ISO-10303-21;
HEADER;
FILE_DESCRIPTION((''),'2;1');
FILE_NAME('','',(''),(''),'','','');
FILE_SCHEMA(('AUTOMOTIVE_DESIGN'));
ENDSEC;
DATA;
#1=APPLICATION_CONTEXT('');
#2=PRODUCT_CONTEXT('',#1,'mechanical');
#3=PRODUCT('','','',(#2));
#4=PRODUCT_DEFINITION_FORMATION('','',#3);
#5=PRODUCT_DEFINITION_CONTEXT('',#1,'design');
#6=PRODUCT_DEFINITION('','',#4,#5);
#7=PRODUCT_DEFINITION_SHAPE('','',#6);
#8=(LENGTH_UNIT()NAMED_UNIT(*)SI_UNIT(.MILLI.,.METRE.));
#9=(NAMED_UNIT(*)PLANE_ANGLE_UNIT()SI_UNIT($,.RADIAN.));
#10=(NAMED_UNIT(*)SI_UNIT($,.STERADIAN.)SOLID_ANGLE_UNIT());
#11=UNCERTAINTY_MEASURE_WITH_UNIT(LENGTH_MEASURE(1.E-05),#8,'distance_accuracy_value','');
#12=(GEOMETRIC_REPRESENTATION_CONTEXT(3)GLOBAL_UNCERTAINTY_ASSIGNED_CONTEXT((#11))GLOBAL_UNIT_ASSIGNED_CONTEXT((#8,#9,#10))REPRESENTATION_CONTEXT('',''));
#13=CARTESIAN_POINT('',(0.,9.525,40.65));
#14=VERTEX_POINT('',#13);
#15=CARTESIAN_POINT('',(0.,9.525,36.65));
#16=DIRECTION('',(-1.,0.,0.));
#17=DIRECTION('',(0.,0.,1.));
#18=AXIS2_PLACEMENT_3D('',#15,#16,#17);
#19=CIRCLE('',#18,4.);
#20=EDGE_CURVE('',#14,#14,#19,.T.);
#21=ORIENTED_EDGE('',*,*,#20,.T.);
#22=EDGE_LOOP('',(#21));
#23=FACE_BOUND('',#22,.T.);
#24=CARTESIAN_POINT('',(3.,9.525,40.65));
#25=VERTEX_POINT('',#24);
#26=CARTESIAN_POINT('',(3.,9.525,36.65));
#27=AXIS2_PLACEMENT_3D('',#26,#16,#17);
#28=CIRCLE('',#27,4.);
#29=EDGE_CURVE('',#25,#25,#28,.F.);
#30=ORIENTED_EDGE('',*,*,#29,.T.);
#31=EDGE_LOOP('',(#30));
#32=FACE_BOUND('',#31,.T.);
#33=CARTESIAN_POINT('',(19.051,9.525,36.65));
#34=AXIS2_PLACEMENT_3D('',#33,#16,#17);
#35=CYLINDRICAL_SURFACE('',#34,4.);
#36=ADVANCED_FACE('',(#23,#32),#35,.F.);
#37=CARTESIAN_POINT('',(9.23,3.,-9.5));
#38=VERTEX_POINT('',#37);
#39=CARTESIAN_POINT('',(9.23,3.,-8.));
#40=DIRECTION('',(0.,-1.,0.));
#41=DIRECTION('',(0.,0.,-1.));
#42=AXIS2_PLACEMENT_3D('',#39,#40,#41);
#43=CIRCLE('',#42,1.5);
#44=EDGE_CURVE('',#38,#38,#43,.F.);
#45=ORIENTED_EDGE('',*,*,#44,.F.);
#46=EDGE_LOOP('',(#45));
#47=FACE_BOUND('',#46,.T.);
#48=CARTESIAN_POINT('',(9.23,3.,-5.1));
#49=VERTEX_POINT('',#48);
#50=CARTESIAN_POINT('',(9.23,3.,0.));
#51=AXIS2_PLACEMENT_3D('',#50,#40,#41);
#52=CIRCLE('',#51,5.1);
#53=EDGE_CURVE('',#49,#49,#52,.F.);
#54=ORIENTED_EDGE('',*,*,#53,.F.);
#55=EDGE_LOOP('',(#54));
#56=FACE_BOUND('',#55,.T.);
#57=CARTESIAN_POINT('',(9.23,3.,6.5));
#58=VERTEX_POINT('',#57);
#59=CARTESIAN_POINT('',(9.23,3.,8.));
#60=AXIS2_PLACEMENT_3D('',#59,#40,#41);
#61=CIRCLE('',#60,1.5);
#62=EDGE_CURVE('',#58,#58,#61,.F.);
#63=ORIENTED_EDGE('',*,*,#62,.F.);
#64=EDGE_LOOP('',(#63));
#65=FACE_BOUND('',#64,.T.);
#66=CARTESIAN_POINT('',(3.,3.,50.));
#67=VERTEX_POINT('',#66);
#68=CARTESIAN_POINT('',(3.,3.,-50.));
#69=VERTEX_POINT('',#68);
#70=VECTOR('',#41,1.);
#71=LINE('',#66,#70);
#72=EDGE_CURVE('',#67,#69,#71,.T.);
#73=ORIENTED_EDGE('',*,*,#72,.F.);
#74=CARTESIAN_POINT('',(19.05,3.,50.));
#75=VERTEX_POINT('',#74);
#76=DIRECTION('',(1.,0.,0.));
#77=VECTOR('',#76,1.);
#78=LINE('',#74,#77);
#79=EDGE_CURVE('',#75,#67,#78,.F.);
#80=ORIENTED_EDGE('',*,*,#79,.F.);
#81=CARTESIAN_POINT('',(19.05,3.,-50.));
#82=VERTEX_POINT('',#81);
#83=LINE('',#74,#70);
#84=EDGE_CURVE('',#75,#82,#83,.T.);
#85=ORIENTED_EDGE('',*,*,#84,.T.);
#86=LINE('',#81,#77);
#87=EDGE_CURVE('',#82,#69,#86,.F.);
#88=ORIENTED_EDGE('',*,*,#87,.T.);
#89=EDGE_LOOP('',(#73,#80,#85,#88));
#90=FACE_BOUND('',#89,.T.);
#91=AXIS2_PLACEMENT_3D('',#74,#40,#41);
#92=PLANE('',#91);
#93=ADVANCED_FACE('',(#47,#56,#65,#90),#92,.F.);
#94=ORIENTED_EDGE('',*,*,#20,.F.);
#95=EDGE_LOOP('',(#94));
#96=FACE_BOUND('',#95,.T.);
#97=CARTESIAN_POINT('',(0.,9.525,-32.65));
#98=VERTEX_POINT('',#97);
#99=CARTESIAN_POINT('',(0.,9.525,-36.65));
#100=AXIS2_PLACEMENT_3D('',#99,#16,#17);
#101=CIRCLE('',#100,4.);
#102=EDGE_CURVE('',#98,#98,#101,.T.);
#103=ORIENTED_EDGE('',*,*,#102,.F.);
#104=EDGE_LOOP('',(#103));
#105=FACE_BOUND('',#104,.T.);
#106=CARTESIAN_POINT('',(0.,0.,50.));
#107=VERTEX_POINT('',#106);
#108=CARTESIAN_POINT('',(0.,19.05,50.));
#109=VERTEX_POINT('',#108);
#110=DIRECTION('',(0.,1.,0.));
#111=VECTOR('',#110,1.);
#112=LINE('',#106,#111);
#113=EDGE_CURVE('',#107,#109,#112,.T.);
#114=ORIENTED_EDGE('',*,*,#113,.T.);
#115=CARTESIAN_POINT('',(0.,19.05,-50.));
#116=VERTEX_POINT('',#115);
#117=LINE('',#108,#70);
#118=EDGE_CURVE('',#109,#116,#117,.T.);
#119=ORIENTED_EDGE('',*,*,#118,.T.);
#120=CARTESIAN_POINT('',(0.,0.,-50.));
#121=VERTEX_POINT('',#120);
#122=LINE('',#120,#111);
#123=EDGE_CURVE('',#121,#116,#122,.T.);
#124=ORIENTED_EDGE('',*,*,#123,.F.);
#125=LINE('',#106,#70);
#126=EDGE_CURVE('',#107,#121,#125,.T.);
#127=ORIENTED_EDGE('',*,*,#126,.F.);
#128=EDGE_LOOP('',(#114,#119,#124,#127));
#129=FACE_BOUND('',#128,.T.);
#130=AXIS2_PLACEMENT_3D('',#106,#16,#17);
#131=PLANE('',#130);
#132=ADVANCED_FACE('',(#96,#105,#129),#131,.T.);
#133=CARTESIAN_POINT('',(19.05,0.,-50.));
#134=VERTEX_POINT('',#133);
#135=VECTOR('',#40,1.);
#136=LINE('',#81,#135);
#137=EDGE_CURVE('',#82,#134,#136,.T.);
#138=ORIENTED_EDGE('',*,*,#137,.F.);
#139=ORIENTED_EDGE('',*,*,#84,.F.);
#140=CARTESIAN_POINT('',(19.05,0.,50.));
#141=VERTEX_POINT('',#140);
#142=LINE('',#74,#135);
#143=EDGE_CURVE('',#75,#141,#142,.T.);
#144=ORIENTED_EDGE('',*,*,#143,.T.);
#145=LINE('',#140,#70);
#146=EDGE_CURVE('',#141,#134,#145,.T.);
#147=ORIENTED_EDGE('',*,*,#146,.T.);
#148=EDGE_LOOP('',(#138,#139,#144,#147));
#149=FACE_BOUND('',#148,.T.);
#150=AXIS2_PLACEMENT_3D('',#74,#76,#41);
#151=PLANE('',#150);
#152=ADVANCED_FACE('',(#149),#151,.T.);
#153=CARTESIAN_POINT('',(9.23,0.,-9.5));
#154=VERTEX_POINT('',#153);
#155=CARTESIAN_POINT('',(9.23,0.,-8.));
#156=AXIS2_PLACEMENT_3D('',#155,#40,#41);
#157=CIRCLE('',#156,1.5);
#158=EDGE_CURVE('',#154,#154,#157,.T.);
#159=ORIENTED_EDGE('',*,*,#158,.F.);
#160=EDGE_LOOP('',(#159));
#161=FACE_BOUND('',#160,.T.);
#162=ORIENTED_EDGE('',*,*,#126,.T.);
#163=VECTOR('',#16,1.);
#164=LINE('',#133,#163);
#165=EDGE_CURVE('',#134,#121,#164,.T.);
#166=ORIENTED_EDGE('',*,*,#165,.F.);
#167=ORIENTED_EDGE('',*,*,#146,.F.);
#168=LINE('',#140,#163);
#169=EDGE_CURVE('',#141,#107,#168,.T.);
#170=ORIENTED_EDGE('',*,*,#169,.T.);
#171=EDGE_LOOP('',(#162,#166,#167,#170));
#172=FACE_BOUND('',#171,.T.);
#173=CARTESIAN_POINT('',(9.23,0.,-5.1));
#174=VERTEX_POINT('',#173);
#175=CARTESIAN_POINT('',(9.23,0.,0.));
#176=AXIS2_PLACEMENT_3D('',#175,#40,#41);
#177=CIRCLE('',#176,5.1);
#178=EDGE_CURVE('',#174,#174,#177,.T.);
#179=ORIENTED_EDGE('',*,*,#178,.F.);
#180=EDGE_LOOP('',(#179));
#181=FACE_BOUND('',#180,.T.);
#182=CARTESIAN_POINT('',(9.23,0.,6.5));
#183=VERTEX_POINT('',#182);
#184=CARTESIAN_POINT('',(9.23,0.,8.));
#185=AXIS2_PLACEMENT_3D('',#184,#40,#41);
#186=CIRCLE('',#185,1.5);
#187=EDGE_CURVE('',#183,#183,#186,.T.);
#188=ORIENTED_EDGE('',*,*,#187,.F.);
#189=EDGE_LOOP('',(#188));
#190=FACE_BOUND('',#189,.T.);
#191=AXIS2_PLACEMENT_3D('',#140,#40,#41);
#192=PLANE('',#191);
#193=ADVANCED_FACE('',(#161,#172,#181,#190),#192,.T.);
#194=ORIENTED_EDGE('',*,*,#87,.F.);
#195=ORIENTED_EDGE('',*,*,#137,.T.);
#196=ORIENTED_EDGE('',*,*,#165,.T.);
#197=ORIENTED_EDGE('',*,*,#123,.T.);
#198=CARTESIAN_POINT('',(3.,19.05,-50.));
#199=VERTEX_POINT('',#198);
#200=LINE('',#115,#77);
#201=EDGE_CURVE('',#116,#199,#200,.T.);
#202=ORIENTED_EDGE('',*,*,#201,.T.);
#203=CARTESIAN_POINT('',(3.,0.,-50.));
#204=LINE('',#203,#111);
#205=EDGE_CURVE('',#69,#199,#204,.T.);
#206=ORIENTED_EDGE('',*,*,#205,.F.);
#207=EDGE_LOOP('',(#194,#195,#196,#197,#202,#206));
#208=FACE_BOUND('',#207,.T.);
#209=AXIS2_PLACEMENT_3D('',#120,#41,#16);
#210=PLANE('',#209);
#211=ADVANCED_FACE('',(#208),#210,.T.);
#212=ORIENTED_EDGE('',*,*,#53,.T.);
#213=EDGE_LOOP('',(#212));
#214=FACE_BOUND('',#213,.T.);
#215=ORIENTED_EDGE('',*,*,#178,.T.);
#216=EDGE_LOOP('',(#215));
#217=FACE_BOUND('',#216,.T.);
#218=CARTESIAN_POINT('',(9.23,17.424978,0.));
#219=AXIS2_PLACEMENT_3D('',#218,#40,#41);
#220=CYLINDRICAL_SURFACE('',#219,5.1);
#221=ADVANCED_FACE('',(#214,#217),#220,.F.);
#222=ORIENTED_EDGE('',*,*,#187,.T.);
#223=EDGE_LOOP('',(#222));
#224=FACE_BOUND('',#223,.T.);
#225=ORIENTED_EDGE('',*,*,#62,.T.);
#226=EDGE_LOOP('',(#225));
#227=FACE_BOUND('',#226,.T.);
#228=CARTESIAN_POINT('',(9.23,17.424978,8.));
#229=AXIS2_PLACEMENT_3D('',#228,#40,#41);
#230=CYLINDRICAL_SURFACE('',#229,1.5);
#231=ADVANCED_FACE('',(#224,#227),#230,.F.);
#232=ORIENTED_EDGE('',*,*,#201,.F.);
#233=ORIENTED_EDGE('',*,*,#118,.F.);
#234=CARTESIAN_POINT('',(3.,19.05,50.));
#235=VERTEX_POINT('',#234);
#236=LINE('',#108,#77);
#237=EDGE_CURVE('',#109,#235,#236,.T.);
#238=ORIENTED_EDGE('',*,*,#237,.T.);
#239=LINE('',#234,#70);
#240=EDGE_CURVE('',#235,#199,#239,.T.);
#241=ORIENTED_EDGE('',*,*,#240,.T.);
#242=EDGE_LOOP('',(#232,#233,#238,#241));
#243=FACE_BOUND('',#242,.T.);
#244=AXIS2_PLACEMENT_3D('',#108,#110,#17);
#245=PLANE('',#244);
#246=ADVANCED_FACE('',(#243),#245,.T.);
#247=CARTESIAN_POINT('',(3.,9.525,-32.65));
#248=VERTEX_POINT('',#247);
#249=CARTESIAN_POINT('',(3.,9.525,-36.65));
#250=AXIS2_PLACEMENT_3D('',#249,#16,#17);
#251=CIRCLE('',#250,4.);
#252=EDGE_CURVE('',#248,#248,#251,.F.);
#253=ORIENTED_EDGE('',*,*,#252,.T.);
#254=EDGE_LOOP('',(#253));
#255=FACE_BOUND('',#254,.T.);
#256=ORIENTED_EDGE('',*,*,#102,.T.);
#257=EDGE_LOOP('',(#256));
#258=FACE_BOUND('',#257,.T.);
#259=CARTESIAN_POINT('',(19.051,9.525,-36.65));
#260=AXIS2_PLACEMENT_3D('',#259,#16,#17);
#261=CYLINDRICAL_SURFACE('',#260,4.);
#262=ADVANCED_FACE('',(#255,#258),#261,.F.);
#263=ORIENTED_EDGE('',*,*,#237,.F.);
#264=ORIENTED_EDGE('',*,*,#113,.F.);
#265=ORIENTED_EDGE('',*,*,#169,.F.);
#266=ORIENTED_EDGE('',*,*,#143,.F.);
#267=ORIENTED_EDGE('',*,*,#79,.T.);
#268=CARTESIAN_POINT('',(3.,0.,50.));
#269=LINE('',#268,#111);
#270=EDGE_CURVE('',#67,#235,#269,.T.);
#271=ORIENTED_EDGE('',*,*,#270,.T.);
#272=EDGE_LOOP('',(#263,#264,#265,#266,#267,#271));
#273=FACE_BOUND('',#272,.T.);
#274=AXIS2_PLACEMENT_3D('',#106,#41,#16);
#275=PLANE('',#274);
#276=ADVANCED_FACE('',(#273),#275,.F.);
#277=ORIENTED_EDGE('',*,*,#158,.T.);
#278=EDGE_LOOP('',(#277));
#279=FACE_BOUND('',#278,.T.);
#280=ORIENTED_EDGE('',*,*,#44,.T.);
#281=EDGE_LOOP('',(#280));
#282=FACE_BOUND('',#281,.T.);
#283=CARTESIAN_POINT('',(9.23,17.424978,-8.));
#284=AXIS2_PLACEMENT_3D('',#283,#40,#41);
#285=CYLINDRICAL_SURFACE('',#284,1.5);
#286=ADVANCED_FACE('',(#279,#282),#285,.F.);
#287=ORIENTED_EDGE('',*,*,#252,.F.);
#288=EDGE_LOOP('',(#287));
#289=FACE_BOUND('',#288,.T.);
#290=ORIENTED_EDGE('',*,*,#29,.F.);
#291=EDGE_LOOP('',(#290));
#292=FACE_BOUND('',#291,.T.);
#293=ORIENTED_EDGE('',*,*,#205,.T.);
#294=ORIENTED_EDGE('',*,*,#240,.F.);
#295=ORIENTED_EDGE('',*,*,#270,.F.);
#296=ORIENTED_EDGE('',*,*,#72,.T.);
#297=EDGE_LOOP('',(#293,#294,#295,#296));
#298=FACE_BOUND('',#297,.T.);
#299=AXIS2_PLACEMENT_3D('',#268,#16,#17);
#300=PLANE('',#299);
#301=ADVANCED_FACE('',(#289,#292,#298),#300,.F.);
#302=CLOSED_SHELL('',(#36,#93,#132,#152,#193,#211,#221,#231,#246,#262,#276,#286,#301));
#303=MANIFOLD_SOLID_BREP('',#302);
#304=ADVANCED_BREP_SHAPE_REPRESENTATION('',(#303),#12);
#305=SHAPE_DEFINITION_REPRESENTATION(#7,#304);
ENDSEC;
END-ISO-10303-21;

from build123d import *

# Parameters (mm, degrees)
EXTRUDE_THIN1_DEPTH = 50
CUT_EXTRUDE2_REACH  = 58.796
SKETCH4_R           = 4
SKETCH3_R           = 5.1
SKETCH3_R_2         = 1.5
CUT_EXTRUDE1_DEPTH  = 3


with BuildPart() as part:
    # Sketch1 → Extrude-Thin1 (new, symmetric)
    with BuildSketch(Plane.XY):
        Polygon((19.05, 0), (0, 0), (0, 19.05), (3, 19.05), (3, 3), (19.05, 3), align=None)
    extrude(amount=EXTRUDE_THIN1_DEPTH, both=True)

    # Sketch4 → Cut-Extrude2 (cut, up to next)
    with BuildSketch(Plane.ZY, mode=Mode.PRIVATE) as cut_extrude2_sk1:
        with Locations((-36.65, 9.525)):
            Circle(SKETCH4_R)
    cut_extrude2_tool1 = extrude(cut_extrude2_sk1.sketch, amount=-CUT_EXTRUDE2_REACH, mode=Mode.PRIVATE) & part.part
    # Sketch4 → Cut-Extrude2 (cut, up to next)
    with BuildSketch(Plane.ZY, mode=Mode.PRIVATE) as cut_extrude2_sk2:
        with Locations((36.65, 9.525)):
            Circle(SKETCH4_R)
    cut_extrude2_tool2 = extrude(cut_extrude2_sk2.sketch, amount=-CUT_EXTRUDE2_REACH, mode=Mode.PRIVATE) & part.part
    add(cut_extrude2_tool1.solids().sort_by_distance((0, 9.525, -36.65))[0], mode=Mode.SUBTRACT)
    add(cut_extrude2_tool2.solids().sort_by_distance((0, 9.525, 36.65))[0], mode=Mode.SUBTRACT)

    # Sketch3 → Cut-Extrude1 (cut)
    with BuildSketch(Plane.XZ):
        with Locations(Location((9.23, 0, 0), (0, 0, 270))):
            Circle(SKETCH3_R)
        with Locations(Location((9.23, -8, 0), (0, 0, 270))):
            Circle(SKETCH3_R_2)
        with Locations(Location((9.23, 8, 0), (0, 0, 270))):
            Circle(SKETCH3_R_2)
    extrude(amount=-CUT_EXTRUDE1_DEPTH, mode=Mode.SUBTRACT)


solid = part.part
